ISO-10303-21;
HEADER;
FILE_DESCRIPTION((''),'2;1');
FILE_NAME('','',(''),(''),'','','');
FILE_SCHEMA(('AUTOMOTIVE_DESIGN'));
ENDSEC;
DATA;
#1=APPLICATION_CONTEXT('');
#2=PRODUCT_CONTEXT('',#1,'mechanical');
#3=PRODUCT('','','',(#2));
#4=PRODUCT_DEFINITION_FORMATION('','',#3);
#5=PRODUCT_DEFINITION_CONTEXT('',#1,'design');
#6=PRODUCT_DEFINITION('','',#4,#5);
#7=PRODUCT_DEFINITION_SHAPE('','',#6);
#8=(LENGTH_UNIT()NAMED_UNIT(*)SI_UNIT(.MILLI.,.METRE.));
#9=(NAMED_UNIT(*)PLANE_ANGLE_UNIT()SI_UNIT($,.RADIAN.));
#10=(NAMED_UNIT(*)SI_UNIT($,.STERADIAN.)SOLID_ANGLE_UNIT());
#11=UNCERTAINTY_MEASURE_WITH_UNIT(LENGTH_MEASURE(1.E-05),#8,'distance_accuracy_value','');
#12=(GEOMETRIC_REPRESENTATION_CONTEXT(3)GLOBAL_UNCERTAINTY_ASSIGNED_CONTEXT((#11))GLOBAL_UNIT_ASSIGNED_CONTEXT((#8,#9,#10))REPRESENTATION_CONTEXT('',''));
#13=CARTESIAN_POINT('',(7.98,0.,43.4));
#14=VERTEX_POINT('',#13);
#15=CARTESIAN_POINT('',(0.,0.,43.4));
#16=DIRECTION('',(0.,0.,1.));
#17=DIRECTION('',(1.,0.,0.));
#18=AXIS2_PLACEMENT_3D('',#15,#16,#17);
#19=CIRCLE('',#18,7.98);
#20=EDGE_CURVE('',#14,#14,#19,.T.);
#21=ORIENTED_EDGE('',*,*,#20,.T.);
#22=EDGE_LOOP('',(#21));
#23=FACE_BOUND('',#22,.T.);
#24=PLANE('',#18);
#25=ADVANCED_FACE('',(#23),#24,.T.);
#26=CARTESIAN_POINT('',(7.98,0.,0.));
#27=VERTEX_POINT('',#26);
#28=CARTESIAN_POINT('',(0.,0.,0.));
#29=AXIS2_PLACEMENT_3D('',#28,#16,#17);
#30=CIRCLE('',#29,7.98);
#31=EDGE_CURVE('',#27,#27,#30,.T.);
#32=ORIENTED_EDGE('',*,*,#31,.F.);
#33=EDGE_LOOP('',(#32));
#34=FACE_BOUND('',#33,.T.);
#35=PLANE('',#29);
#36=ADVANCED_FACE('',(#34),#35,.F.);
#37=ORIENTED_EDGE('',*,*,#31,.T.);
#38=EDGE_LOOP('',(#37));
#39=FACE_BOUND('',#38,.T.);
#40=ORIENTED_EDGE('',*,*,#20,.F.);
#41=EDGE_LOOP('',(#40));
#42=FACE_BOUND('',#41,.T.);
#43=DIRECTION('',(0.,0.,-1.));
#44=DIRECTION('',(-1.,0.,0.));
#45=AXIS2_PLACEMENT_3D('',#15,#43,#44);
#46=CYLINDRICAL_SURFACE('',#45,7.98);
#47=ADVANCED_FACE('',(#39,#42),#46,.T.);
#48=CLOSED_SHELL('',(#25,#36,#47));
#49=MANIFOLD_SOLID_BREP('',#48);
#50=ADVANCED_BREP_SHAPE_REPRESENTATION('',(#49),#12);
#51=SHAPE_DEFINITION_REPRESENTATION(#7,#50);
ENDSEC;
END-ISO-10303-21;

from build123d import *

# Parameters (mm, degrees)
SKETCH1_R      = 7.98
EXTRUDE1_DEPTH = 43.4


with BuildPart() as part:
    # Sketch1 → Extrude1 (new body)
    with BuildSketch(Plane.XY):
        Circle(SKETCH1_R)
    extrude(amount=EXTRUDE1_DEPTH)


solid = part.part
